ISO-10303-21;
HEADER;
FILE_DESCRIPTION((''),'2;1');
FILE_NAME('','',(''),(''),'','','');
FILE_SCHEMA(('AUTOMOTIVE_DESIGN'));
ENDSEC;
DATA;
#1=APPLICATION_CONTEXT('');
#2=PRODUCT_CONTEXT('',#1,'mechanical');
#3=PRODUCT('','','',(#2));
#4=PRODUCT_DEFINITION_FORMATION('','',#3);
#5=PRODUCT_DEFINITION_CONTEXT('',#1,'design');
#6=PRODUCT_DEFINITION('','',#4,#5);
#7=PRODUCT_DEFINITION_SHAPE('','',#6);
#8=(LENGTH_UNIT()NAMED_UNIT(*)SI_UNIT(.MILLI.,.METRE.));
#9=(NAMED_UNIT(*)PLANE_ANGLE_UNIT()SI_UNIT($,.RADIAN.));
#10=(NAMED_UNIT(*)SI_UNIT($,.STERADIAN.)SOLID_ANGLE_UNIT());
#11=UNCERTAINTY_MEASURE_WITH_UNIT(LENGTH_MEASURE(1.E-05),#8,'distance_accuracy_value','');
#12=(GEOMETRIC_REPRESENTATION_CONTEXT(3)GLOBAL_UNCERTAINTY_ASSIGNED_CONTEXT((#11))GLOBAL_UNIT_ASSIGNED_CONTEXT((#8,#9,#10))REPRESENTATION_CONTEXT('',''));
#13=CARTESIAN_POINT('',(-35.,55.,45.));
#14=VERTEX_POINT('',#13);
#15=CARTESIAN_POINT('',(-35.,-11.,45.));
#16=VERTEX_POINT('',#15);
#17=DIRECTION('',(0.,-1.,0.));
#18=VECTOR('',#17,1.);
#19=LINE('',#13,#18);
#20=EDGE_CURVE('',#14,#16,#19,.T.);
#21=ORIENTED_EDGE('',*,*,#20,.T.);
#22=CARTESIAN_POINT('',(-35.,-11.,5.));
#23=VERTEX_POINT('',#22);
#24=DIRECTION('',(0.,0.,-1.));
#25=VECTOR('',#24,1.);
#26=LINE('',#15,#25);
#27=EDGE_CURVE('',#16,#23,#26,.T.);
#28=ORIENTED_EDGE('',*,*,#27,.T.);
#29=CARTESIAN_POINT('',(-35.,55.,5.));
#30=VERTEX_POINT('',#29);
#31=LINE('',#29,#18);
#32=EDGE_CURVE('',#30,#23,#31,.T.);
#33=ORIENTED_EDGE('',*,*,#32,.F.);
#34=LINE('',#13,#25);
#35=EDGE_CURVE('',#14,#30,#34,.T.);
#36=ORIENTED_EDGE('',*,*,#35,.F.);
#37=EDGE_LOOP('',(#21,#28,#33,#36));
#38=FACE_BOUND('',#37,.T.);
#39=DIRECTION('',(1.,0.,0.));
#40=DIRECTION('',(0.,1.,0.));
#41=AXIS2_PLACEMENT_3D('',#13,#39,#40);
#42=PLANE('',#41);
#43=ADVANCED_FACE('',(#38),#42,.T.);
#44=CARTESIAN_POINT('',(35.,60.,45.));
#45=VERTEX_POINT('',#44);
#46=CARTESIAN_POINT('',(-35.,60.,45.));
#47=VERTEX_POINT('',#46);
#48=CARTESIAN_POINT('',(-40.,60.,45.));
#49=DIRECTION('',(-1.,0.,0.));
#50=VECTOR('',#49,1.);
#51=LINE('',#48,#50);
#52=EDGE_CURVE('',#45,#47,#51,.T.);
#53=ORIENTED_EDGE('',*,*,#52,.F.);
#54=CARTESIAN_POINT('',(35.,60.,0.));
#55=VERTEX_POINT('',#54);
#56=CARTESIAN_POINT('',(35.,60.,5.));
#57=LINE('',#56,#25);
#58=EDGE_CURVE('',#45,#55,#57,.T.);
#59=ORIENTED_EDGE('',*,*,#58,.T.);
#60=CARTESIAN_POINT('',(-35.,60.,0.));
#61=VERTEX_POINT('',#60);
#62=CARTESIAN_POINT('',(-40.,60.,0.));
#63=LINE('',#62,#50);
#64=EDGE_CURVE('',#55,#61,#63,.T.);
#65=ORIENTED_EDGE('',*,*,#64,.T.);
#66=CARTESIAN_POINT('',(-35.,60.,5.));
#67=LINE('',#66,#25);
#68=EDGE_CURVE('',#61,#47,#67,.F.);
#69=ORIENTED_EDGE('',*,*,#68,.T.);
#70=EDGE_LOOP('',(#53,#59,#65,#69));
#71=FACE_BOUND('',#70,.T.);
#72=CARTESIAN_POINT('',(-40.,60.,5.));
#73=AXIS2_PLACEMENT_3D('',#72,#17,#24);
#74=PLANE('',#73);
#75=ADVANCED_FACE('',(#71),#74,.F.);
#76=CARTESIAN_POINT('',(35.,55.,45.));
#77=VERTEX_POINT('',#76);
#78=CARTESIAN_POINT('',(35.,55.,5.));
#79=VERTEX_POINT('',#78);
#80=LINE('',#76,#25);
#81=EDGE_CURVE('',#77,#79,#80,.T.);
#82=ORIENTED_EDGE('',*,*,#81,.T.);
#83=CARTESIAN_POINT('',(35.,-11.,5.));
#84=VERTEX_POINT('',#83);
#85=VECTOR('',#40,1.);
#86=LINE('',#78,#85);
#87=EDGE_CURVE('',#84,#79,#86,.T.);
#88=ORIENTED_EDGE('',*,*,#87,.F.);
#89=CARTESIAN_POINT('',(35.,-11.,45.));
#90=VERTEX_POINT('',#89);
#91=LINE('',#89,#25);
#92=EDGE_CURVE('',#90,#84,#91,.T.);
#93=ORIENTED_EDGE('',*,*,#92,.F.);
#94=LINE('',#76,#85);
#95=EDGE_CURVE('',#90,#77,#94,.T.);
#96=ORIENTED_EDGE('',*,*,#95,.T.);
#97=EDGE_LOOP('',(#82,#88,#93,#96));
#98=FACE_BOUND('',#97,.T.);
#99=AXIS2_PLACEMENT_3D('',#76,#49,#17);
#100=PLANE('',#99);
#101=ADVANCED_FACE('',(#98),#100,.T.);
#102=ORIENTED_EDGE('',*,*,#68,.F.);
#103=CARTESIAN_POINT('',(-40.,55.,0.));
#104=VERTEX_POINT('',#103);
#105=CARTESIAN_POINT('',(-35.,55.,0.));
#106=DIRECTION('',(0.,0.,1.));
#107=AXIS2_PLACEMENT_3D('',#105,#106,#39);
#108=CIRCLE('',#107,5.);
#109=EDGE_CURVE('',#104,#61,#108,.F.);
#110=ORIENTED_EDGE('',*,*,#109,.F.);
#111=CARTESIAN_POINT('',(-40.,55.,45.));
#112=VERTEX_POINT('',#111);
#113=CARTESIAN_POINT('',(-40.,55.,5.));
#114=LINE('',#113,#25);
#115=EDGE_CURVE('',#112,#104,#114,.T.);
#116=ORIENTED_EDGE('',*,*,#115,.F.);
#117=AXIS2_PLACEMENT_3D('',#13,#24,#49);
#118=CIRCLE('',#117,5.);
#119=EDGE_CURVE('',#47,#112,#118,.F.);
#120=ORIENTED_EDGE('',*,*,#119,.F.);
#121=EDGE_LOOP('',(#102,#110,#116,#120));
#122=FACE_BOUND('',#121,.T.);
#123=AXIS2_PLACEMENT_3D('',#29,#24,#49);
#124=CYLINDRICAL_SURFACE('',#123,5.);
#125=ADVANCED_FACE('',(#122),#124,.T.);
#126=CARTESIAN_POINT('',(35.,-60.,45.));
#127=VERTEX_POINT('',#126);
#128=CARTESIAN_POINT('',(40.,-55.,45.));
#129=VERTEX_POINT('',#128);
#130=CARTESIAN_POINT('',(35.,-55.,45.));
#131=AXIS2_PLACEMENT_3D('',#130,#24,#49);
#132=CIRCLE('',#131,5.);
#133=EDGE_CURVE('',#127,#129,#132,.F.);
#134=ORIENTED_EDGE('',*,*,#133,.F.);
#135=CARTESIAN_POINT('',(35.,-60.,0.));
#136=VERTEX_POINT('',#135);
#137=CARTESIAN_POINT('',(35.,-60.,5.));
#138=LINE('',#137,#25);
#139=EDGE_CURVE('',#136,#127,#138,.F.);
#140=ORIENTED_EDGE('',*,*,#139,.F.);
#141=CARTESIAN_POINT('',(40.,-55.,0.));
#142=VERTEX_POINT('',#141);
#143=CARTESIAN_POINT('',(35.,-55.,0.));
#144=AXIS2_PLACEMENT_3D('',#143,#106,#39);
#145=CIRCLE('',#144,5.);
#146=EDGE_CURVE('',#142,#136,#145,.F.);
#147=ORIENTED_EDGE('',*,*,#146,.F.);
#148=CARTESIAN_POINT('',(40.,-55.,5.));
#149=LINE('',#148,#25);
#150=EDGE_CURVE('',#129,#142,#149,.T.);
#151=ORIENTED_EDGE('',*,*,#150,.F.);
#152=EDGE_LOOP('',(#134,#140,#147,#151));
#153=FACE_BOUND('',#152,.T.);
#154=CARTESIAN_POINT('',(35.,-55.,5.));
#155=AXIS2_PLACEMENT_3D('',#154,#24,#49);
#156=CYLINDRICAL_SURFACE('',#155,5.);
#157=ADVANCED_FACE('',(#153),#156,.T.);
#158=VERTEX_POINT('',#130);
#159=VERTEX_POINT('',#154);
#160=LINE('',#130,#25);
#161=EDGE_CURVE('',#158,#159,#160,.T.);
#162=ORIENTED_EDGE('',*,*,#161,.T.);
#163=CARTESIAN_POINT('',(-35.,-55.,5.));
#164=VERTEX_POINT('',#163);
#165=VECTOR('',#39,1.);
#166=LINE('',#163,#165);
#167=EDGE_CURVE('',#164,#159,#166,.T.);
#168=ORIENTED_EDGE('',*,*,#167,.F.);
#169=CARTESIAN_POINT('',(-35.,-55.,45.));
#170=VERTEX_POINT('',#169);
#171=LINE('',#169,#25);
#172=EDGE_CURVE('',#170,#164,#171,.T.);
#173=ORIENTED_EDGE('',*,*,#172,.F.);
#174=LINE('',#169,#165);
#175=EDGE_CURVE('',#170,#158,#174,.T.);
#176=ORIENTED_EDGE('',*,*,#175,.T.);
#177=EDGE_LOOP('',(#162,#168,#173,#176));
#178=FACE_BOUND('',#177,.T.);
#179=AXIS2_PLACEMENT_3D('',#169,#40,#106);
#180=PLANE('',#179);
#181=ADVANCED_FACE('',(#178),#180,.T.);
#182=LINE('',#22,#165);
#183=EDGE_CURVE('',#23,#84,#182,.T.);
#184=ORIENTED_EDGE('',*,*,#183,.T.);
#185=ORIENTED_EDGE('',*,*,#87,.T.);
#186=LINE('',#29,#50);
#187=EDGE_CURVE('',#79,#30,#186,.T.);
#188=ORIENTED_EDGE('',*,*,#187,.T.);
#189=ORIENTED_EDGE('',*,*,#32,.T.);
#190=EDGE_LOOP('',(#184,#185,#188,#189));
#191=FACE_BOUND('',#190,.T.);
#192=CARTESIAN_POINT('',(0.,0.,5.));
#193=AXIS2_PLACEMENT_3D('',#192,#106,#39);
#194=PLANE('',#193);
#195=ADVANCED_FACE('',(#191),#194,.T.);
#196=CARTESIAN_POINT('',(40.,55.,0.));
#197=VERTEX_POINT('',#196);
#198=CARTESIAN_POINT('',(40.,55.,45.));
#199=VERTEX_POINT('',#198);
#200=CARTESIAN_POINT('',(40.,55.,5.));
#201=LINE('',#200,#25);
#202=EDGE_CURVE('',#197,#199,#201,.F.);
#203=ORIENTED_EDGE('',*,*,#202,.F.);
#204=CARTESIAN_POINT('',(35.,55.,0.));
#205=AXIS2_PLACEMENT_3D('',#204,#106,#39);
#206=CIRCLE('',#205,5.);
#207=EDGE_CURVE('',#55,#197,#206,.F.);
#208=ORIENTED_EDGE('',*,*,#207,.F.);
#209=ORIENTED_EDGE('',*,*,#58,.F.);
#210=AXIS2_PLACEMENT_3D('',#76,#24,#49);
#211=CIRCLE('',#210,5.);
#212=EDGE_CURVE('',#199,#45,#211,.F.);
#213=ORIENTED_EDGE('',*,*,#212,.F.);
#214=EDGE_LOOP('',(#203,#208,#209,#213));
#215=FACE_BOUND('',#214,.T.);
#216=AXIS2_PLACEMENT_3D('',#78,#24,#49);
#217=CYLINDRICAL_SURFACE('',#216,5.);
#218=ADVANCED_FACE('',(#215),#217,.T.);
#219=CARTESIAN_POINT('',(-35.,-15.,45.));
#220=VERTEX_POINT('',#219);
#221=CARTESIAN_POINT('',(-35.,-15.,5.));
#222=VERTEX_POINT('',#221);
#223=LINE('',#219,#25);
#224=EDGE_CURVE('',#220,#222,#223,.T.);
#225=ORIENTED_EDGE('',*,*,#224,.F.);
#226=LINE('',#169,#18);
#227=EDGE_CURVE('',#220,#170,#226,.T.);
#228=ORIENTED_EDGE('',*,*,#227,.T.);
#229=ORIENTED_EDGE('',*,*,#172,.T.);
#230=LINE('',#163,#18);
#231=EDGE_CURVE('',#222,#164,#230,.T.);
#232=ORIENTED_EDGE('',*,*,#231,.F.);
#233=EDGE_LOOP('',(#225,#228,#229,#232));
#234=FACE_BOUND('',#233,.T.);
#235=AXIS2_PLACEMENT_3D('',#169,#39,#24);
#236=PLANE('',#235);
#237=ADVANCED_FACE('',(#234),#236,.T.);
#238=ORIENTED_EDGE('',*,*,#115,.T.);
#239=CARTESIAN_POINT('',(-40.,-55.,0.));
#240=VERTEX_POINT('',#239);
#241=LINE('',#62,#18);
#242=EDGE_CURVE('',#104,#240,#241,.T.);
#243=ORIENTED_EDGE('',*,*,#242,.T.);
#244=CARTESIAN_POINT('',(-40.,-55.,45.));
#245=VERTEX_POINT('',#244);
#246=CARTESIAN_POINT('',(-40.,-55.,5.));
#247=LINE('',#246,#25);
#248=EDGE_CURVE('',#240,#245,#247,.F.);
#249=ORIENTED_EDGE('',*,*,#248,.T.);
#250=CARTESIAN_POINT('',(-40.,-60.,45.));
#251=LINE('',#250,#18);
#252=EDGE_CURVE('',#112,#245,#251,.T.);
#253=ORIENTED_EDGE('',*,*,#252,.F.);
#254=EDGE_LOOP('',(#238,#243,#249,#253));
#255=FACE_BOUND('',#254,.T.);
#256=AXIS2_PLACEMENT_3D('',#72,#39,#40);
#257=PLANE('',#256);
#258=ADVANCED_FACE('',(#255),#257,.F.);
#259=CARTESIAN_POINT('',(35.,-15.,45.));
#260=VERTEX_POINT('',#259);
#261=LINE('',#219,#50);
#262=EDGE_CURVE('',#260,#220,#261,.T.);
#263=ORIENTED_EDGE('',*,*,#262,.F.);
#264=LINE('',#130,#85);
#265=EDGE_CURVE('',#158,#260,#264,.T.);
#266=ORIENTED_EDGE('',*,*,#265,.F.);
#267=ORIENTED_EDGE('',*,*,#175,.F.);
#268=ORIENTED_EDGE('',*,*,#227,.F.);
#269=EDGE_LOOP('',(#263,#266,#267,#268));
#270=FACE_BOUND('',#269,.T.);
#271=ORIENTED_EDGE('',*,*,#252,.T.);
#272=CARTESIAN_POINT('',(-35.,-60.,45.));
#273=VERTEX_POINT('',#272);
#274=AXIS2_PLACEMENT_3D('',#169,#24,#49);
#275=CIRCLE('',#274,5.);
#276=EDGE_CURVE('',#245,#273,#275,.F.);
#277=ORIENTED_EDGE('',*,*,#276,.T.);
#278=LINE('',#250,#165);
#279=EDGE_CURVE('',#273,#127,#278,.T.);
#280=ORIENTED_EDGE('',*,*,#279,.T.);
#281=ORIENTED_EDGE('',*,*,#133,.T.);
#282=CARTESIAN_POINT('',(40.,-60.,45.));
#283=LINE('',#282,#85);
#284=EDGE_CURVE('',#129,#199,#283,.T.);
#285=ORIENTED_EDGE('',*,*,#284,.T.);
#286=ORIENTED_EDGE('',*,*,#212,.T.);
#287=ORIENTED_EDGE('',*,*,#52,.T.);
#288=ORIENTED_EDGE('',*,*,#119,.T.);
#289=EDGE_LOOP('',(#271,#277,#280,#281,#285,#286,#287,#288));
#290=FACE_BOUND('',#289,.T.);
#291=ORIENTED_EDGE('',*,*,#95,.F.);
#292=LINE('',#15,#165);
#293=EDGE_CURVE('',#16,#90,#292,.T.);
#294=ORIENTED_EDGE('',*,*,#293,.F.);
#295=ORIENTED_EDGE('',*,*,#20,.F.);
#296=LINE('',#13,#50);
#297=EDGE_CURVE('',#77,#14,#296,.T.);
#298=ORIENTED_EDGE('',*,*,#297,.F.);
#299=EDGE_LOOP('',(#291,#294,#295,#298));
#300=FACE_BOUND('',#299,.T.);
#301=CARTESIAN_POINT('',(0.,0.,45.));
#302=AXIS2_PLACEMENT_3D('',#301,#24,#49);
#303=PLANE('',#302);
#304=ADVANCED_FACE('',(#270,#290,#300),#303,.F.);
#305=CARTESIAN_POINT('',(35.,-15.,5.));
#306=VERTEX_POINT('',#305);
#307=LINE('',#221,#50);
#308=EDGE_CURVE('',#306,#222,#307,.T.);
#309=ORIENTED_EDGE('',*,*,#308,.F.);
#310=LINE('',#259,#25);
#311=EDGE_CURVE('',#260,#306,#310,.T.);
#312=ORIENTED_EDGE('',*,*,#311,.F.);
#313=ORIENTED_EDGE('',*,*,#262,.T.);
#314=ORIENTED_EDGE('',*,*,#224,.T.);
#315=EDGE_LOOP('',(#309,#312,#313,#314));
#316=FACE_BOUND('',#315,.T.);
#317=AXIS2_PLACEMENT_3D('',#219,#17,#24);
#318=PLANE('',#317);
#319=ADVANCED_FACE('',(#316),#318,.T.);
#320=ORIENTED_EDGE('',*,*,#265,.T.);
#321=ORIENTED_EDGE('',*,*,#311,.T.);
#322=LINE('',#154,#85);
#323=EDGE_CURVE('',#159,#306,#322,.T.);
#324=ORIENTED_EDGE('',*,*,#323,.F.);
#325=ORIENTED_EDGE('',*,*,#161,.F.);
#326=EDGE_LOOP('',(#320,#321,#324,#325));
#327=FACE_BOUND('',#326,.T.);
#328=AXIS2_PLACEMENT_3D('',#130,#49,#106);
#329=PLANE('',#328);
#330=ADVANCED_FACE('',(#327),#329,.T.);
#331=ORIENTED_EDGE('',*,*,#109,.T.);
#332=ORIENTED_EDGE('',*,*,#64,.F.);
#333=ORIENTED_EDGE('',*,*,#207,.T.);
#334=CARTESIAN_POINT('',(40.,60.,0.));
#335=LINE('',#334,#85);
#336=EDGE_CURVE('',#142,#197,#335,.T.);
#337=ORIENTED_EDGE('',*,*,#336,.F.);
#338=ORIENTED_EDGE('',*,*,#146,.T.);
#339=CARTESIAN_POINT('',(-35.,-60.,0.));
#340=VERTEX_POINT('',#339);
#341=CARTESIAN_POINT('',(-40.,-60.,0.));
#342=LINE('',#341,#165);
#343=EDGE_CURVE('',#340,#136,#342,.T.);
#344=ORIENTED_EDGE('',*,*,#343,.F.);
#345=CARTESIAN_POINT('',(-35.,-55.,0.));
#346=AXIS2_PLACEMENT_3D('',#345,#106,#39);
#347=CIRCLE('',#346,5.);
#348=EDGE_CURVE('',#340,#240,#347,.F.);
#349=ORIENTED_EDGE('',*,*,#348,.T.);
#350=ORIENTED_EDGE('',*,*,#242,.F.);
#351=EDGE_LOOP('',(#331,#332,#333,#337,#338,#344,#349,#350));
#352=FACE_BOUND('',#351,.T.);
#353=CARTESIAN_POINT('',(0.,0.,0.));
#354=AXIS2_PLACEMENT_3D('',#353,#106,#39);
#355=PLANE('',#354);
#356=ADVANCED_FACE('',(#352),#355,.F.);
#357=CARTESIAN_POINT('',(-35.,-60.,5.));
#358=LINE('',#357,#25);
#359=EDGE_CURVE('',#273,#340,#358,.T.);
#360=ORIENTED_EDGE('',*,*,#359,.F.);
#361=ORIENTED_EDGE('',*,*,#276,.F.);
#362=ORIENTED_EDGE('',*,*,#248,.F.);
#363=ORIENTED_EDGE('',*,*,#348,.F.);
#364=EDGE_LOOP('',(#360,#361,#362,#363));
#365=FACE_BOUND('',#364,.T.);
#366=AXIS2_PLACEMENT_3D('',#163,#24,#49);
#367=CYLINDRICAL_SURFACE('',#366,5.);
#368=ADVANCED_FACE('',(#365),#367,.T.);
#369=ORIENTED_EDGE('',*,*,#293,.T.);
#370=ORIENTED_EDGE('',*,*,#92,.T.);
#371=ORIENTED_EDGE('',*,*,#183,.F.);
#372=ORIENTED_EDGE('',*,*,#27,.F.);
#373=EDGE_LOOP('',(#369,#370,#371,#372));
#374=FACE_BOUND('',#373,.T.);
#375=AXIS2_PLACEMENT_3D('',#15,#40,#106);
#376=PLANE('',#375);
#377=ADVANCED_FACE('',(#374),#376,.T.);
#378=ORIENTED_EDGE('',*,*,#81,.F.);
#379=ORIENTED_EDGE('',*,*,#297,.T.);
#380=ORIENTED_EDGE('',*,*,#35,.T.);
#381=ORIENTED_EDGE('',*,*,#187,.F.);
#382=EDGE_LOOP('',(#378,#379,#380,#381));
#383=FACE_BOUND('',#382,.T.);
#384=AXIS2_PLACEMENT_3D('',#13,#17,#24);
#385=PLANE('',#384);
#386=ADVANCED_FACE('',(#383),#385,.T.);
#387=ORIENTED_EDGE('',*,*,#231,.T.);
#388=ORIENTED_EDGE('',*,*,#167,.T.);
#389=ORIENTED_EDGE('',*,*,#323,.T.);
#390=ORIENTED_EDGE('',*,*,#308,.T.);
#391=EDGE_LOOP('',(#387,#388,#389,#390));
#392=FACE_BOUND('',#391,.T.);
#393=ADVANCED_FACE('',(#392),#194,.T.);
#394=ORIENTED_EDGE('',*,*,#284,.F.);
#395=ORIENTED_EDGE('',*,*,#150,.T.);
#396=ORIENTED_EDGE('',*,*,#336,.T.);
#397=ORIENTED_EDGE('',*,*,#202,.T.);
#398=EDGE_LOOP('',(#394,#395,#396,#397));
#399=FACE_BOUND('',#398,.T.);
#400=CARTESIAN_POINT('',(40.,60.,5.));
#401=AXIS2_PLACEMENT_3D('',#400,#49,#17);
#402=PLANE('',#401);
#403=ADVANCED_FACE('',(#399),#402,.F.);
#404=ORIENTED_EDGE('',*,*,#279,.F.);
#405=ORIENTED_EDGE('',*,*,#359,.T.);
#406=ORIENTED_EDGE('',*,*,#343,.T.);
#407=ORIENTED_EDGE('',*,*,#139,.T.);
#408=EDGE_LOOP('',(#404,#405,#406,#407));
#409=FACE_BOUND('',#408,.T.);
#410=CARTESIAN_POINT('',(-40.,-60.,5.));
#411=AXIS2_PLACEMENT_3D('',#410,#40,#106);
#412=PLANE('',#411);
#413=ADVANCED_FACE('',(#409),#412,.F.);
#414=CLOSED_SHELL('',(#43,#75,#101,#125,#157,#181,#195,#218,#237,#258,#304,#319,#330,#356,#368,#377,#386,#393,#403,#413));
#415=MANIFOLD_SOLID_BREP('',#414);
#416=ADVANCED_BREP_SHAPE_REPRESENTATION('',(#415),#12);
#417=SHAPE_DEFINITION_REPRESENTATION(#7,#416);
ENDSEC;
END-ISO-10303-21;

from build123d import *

# Parameters (mm, degrees)
SKETCH1_W           = 80
SKETCH1_H           = 120
BOSS_EXTRUDE1_DEPTH = 5
SKETCH2_W           = 80
SKETCH2_H           = 120
SKETCH2_W_2         = 70
SKETCH2_H_2         = 66
SKETCH2_H_3         = 40
BOSS_EXTRUDE2_DEPTH = 40
FILLET1_R           = 5


with BuildPart() as part:
    # Sketch1 → Boss-Extrude1 (new body)
    with BuildSketch(Plane.XY):
        Rectangle(SKETCH1_W, SKETCH1_H)
    extrude(amount=BOSS_EXTRUDE1_DEPTH)

    # Sketch2 → Boss-Extrude2 (add)
    with BuildSketch(Plane.XY.offset(5)):
        Rectangle(SKETCH2_W, SKETCH2_H)
        with Locations((0, 22)):
            Rectangle(SKETCH2_W_2, SKETCH2_H_2, mode=Mode.SUBTRACT)
        with Locations((0, -35)):
            Rectangle(SKETCH2_W_2, SKETCH2_H_3, mode=Mode.SUBTRACT)
    extrude(amount=BOSS_EXTRUDE2_DEPTH)

    # Fillet1
    fillet1_edges = [part.edges().sort_by_distance(p)[0] for p in [
        (40, -60, 22.5),
        (-40, -60, 22.5),
        (-40, 60, 22.5),
        (40, 60, 22.5),
    ]]
    fillet(fillet1_edges, radius=FILLET1_R)


solid = part.part
